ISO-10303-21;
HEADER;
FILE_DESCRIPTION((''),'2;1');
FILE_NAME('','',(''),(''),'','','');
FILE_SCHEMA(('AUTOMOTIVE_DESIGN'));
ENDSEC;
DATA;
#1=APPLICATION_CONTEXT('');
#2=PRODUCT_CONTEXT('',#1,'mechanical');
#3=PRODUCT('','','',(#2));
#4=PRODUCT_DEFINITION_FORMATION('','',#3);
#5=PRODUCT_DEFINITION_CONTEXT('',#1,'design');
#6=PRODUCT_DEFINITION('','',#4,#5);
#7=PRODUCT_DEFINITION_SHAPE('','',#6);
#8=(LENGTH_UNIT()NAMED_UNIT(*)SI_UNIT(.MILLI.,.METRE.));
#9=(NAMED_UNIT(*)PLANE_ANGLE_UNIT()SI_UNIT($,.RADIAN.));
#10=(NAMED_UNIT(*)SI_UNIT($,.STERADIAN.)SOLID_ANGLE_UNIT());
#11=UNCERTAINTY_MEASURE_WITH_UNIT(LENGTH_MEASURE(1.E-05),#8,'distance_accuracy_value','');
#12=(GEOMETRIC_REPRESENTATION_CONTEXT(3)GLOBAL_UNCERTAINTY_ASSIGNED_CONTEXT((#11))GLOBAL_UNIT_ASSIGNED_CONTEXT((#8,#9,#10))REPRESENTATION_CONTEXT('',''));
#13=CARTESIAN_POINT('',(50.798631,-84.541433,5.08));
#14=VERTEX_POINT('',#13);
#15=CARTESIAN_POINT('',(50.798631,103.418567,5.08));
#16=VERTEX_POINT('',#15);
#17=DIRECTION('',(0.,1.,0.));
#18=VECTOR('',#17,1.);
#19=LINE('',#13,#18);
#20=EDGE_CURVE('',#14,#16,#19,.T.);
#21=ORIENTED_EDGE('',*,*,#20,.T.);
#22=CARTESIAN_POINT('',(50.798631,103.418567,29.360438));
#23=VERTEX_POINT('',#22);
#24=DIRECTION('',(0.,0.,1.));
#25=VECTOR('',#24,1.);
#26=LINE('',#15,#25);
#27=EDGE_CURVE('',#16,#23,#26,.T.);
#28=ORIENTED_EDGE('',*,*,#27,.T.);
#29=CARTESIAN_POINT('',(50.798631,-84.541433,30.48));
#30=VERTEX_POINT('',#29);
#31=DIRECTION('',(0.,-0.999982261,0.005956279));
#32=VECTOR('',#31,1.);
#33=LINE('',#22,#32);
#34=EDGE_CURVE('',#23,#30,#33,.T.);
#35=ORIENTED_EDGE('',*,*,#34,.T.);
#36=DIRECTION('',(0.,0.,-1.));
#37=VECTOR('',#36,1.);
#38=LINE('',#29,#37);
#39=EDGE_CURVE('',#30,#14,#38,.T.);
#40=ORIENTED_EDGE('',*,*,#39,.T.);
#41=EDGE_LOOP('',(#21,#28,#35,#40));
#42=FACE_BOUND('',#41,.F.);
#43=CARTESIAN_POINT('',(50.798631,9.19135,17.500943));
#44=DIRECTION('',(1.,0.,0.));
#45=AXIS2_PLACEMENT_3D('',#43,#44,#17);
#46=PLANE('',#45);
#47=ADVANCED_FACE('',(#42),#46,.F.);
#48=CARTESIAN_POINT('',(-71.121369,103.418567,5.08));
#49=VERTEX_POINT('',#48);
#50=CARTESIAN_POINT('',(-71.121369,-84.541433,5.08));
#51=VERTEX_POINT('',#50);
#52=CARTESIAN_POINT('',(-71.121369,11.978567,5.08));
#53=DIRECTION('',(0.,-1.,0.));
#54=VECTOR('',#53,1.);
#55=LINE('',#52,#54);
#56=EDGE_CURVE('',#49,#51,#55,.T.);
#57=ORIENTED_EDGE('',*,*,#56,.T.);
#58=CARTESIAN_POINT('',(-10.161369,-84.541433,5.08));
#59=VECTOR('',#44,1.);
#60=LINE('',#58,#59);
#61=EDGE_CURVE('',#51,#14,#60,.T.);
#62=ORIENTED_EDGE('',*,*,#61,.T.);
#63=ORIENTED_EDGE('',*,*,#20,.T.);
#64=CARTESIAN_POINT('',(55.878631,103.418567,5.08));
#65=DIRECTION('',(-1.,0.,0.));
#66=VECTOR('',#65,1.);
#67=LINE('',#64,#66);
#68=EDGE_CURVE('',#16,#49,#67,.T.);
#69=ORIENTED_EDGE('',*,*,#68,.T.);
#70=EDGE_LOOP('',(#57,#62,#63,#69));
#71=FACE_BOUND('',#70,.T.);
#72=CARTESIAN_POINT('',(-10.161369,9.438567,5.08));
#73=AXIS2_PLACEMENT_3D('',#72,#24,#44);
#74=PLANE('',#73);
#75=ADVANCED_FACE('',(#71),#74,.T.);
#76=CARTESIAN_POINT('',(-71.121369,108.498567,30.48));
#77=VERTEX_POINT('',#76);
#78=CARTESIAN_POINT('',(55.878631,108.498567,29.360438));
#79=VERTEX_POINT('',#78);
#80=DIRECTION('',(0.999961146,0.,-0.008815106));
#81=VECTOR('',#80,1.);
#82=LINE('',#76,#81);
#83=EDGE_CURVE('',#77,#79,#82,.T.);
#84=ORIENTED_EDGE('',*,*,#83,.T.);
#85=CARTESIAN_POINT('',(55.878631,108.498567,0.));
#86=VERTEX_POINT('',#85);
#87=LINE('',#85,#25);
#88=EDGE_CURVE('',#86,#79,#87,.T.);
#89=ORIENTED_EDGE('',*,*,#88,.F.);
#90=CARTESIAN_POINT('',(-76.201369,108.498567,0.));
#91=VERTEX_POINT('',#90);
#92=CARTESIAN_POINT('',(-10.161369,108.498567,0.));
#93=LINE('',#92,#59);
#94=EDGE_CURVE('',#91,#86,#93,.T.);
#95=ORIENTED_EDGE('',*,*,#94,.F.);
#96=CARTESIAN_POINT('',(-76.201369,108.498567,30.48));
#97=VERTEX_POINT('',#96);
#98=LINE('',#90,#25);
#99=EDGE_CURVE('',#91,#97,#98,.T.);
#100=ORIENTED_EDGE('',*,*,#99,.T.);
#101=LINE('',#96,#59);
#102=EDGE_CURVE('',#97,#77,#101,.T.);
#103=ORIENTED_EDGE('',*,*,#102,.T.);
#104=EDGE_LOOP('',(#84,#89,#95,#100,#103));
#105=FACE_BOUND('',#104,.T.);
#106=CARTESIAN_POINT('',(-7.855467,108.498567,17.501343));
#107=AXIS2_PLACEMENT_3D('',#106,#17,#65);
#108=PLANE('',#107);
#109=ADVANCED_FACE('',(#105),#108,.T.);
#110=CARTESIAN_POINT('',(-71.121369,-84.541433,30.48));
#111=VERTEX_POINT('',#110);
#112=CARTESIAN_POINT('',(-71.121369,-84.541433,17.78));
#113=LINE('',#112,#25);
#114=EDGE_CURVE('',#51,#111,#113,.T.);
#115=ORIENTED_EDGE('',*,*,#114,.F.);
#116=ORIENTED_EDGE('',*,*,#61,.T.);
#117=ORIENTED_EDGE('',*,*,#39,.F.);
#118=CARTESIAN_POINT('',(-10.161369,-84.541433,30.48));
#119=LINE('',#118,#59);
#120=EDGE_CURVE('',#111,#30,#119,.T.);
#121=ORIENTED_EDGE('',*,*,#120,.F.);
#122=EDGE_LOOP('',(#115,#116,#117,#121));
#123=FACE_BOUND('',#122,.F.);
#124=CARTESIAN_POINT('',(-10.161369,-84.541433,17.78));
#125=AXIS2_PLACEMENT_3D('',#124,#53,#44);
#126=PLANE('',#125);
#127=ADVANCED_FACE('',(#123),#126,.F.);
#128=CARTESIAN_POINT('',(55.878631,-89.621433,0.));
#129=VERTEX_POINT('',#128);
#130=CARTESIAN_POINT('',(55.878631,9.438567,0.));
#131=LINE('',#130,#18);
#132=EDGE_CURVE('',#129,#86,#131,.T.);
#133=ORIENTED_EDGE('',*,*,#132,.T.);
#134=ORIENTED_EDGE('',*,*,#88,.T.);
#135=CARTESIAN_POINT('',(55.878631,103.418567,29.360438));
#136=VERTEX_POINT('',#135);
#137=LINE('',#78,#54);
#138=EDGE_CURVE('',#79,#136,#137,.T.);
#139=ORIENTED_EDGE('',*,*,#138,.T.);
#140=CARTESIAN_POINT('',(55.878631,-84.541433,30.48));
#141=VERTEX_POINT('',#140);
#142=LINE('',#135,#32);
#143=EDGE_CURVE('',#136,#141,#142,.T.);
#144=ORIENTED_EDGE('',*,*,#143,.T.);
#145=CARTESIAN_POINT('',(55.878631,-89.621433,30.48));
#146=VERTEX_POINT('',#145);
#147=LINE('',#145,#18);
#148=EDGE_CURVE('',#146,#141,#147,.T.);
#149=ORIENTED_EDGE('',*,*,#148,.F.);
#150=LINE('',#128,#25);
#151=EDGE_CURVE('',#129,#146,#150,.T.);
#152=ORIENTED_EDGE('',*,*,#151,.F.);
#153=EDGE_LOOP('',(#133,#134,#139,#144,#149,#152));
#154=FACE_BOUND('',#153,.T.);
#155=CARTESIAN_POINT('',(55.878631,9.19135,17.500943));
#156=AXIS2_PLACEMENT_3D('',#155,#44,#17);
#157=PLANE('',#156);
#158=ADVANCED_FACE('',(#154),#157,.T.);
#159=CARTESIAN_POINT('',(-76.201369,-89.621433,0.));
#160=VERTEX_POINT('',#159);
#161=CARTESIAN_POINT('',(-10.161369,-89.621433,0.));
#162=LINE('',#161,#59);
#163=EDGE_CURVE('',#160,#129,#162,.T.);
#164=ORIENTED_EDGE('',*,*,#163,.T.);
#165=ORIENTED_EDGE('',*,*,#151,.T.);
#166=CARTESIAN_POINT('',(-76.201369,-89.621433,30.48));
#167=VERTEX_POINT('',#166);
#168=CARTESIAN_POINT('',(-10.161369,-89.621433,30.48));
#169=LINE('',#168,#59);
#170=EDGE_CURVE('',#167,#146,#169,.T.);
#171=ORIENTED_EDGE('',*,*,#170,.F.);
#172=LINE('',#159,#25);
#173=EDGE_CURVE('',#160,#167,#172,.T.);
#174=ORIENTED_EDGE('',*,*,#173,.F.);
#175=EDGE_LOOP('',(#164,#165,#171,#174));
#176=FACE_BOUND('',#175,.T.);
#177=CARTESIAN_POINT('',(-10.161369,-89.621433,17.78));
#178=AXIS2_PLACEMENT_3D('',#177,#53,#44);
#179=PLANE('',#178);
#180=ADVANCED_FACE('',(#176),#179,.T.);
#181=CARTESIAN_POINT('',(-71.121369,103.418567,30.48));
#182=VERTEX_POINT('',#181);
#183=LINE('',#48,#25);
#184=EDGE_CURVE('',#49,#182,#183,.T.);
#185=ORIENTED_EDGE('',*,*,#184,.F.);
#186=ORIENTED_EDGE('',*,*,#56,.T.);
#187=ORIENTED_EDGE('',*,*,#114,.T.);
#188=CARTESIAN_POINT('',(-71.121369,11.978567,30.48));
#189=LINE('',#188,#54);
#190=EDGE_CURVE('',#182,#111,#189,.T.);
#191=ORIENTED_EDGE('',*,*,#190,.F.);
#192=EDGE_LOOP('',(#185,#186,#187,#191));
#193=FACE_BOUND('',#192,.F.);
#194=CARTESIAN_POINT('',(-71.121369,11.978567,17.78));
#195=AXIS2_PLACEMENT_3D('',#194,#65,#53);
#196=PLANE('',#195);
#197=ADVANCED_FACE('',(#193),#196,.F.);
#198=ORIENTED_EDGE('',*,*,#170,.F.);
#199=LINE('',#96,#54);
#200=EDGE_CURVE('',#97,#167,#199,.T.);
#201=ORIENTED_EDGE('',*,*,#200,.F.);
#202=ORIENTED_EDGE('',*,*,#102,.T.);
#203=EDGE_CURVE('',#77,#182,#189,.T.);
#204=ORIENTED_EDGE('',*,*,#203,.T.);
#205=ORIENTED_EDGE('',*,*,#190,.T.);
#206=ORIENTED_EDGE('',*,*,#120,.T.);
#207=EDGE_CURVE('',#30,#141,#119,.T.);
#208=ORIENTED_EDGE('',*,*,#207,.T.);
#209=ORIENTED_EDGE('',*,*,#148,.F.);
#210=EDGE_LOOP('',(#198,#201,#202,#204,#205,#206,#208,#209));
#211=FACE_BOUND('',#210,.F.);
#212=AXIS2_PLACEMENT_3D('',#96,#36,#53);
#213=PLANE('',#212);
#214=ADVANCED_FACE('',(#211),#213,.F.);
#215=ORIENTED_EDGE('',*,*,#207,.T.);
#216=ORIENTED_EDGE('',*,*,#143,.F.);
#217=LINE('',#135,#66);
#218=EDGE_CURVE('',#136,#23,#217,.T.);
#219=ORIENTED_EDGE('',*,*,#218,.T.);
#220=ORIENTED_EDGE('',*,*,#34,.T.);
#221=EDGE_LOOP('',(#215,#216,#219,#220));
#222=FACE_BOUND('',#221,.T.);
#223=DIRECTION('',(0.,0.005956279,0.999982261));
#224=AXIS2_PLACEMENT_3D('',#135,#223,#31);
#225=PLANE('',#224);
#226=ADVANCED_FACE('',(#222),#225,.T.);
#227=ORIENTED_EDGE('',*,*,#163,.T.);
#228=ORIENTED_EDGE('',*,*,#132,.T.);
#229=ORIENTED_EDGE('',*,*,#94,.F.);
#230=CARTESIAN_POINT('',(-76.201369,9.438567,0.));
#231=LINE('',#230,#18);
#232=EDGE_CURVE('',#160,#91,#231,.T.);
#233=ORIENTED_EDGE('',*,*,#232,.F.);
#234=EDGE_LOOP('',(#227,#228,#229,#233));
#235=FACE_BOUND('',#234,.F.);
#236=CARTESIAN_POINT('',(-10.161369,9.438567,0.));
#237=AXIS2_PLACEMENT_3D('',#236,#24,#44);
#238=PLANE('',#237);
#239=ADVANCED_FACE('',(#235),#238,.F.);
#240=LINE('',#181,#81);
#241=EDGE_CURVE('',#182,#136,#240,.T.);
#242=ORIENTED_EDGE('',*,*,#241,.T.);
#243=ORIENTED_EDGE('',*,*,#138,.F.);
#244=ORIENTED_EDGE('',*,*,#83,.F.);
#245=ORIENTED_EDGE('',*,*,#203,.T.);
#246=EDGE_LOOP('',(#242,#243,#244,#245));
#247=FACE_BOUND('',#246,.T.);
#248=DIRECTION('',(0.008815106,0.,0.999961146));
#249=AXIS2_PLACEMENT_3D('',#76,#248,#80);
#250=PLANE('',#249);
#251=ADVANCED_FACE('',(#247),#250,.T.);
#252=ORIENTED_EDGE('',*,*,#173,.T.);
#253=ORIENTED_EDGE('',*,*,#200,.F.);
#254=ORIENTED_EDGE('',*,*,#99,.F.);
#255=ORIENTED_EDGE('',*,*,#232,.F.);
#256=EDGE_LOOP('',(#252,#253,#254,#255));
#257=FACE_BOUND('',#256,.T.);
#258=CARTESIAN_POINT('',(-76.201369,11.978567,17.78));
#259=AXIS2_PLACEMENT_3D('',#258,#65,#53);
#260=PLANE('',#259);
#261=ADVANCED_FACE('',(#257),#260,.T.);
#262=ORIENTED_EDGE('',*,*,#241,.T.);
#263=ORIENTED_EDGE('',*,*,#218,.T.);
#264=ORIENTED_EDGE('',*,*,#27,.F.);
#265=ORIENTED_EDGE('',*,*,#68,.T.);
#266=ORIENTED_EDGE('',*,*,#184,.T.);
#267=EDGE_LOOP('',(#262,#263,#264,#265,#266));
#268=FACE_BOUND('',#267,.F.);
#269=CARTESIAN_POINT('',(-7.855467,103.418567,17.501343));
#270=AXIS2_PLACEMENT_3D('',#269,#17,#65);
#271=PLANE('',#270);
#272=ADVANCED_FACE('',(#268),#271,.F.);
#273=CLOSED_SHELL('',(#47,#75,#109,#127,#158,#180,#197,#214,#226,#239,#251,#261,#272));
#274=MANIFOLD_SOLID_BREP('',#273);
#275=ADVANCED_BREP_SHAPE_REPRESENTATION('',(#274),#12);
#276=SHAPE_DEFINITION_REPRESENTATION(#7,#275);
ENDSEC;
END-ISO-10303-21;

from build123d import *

# Parameters (mm, degrees)
F0_W     = 132.08
F0_H     = 198.12
F1_DEPTH = 5.08
F2_W     = 132.08
F2_H     = 25.4
F3_DEPTH = 5.08
F4_W     = 193.04
F4_H     = 25.4
F5_DEPTH = 5.08
F7_DEPTH = 5.08
F9_DEPTH = 5.08


with BuildPart() as f1:
    # F0 (on Top) → F1 (new body)
    with BuildSketch(Plane.XY):
        with Locations((-10.161369, 9.438567)):
            Rectangle(F0_W, F0_H)
    extrude(amount=F1_DEPTH)

    # F2 (on face) → F3 (join)
    with BuildSketch(Plane.XZ.offset(89.621433)):
        with Locations((-10.161369, 17.78)):
            Rectangle(F2_W, F2_H)
    extrude(amount=-F3_DEPTH)

    # F4 (on face) → F5 (join)
    with BuildSketch(Plane(origin=(-76.201369, 0, 0), x_dir=(0, -1, 0), z_dir=(-1, 0, 0))):
        with Locations((-11.978567, 17.78)):
            Rectangle(F4_W, F4_H)
    extrude(amount=-F5_DEPTH)

    # F6 (on face) → F7 (join)
    with BuildSketch(Plane(origin=(0, 108.498567, 0), x_dir=(-1, 0, 0), z_dir=(0, 1, 0))):
        Polygon((-55.878631, 29.360438), (-55.878631, 5.08), (71.121369, 5.08), (71.121369, 30.48), align=None)
    extrude(amount=-F7_DEPTH)

    # F8 (on face) → F9 (join)
    with BuildSketch(Plane.YZ.offset(55.878631)):
        Polygon((103.418567, 29.360438), (-84.541433, 30.48), (-84.541433, 5.08), (103.418567, 5.08), align=None)
    extrude(amount=-F9_DEPTH)


solid = f1.part
